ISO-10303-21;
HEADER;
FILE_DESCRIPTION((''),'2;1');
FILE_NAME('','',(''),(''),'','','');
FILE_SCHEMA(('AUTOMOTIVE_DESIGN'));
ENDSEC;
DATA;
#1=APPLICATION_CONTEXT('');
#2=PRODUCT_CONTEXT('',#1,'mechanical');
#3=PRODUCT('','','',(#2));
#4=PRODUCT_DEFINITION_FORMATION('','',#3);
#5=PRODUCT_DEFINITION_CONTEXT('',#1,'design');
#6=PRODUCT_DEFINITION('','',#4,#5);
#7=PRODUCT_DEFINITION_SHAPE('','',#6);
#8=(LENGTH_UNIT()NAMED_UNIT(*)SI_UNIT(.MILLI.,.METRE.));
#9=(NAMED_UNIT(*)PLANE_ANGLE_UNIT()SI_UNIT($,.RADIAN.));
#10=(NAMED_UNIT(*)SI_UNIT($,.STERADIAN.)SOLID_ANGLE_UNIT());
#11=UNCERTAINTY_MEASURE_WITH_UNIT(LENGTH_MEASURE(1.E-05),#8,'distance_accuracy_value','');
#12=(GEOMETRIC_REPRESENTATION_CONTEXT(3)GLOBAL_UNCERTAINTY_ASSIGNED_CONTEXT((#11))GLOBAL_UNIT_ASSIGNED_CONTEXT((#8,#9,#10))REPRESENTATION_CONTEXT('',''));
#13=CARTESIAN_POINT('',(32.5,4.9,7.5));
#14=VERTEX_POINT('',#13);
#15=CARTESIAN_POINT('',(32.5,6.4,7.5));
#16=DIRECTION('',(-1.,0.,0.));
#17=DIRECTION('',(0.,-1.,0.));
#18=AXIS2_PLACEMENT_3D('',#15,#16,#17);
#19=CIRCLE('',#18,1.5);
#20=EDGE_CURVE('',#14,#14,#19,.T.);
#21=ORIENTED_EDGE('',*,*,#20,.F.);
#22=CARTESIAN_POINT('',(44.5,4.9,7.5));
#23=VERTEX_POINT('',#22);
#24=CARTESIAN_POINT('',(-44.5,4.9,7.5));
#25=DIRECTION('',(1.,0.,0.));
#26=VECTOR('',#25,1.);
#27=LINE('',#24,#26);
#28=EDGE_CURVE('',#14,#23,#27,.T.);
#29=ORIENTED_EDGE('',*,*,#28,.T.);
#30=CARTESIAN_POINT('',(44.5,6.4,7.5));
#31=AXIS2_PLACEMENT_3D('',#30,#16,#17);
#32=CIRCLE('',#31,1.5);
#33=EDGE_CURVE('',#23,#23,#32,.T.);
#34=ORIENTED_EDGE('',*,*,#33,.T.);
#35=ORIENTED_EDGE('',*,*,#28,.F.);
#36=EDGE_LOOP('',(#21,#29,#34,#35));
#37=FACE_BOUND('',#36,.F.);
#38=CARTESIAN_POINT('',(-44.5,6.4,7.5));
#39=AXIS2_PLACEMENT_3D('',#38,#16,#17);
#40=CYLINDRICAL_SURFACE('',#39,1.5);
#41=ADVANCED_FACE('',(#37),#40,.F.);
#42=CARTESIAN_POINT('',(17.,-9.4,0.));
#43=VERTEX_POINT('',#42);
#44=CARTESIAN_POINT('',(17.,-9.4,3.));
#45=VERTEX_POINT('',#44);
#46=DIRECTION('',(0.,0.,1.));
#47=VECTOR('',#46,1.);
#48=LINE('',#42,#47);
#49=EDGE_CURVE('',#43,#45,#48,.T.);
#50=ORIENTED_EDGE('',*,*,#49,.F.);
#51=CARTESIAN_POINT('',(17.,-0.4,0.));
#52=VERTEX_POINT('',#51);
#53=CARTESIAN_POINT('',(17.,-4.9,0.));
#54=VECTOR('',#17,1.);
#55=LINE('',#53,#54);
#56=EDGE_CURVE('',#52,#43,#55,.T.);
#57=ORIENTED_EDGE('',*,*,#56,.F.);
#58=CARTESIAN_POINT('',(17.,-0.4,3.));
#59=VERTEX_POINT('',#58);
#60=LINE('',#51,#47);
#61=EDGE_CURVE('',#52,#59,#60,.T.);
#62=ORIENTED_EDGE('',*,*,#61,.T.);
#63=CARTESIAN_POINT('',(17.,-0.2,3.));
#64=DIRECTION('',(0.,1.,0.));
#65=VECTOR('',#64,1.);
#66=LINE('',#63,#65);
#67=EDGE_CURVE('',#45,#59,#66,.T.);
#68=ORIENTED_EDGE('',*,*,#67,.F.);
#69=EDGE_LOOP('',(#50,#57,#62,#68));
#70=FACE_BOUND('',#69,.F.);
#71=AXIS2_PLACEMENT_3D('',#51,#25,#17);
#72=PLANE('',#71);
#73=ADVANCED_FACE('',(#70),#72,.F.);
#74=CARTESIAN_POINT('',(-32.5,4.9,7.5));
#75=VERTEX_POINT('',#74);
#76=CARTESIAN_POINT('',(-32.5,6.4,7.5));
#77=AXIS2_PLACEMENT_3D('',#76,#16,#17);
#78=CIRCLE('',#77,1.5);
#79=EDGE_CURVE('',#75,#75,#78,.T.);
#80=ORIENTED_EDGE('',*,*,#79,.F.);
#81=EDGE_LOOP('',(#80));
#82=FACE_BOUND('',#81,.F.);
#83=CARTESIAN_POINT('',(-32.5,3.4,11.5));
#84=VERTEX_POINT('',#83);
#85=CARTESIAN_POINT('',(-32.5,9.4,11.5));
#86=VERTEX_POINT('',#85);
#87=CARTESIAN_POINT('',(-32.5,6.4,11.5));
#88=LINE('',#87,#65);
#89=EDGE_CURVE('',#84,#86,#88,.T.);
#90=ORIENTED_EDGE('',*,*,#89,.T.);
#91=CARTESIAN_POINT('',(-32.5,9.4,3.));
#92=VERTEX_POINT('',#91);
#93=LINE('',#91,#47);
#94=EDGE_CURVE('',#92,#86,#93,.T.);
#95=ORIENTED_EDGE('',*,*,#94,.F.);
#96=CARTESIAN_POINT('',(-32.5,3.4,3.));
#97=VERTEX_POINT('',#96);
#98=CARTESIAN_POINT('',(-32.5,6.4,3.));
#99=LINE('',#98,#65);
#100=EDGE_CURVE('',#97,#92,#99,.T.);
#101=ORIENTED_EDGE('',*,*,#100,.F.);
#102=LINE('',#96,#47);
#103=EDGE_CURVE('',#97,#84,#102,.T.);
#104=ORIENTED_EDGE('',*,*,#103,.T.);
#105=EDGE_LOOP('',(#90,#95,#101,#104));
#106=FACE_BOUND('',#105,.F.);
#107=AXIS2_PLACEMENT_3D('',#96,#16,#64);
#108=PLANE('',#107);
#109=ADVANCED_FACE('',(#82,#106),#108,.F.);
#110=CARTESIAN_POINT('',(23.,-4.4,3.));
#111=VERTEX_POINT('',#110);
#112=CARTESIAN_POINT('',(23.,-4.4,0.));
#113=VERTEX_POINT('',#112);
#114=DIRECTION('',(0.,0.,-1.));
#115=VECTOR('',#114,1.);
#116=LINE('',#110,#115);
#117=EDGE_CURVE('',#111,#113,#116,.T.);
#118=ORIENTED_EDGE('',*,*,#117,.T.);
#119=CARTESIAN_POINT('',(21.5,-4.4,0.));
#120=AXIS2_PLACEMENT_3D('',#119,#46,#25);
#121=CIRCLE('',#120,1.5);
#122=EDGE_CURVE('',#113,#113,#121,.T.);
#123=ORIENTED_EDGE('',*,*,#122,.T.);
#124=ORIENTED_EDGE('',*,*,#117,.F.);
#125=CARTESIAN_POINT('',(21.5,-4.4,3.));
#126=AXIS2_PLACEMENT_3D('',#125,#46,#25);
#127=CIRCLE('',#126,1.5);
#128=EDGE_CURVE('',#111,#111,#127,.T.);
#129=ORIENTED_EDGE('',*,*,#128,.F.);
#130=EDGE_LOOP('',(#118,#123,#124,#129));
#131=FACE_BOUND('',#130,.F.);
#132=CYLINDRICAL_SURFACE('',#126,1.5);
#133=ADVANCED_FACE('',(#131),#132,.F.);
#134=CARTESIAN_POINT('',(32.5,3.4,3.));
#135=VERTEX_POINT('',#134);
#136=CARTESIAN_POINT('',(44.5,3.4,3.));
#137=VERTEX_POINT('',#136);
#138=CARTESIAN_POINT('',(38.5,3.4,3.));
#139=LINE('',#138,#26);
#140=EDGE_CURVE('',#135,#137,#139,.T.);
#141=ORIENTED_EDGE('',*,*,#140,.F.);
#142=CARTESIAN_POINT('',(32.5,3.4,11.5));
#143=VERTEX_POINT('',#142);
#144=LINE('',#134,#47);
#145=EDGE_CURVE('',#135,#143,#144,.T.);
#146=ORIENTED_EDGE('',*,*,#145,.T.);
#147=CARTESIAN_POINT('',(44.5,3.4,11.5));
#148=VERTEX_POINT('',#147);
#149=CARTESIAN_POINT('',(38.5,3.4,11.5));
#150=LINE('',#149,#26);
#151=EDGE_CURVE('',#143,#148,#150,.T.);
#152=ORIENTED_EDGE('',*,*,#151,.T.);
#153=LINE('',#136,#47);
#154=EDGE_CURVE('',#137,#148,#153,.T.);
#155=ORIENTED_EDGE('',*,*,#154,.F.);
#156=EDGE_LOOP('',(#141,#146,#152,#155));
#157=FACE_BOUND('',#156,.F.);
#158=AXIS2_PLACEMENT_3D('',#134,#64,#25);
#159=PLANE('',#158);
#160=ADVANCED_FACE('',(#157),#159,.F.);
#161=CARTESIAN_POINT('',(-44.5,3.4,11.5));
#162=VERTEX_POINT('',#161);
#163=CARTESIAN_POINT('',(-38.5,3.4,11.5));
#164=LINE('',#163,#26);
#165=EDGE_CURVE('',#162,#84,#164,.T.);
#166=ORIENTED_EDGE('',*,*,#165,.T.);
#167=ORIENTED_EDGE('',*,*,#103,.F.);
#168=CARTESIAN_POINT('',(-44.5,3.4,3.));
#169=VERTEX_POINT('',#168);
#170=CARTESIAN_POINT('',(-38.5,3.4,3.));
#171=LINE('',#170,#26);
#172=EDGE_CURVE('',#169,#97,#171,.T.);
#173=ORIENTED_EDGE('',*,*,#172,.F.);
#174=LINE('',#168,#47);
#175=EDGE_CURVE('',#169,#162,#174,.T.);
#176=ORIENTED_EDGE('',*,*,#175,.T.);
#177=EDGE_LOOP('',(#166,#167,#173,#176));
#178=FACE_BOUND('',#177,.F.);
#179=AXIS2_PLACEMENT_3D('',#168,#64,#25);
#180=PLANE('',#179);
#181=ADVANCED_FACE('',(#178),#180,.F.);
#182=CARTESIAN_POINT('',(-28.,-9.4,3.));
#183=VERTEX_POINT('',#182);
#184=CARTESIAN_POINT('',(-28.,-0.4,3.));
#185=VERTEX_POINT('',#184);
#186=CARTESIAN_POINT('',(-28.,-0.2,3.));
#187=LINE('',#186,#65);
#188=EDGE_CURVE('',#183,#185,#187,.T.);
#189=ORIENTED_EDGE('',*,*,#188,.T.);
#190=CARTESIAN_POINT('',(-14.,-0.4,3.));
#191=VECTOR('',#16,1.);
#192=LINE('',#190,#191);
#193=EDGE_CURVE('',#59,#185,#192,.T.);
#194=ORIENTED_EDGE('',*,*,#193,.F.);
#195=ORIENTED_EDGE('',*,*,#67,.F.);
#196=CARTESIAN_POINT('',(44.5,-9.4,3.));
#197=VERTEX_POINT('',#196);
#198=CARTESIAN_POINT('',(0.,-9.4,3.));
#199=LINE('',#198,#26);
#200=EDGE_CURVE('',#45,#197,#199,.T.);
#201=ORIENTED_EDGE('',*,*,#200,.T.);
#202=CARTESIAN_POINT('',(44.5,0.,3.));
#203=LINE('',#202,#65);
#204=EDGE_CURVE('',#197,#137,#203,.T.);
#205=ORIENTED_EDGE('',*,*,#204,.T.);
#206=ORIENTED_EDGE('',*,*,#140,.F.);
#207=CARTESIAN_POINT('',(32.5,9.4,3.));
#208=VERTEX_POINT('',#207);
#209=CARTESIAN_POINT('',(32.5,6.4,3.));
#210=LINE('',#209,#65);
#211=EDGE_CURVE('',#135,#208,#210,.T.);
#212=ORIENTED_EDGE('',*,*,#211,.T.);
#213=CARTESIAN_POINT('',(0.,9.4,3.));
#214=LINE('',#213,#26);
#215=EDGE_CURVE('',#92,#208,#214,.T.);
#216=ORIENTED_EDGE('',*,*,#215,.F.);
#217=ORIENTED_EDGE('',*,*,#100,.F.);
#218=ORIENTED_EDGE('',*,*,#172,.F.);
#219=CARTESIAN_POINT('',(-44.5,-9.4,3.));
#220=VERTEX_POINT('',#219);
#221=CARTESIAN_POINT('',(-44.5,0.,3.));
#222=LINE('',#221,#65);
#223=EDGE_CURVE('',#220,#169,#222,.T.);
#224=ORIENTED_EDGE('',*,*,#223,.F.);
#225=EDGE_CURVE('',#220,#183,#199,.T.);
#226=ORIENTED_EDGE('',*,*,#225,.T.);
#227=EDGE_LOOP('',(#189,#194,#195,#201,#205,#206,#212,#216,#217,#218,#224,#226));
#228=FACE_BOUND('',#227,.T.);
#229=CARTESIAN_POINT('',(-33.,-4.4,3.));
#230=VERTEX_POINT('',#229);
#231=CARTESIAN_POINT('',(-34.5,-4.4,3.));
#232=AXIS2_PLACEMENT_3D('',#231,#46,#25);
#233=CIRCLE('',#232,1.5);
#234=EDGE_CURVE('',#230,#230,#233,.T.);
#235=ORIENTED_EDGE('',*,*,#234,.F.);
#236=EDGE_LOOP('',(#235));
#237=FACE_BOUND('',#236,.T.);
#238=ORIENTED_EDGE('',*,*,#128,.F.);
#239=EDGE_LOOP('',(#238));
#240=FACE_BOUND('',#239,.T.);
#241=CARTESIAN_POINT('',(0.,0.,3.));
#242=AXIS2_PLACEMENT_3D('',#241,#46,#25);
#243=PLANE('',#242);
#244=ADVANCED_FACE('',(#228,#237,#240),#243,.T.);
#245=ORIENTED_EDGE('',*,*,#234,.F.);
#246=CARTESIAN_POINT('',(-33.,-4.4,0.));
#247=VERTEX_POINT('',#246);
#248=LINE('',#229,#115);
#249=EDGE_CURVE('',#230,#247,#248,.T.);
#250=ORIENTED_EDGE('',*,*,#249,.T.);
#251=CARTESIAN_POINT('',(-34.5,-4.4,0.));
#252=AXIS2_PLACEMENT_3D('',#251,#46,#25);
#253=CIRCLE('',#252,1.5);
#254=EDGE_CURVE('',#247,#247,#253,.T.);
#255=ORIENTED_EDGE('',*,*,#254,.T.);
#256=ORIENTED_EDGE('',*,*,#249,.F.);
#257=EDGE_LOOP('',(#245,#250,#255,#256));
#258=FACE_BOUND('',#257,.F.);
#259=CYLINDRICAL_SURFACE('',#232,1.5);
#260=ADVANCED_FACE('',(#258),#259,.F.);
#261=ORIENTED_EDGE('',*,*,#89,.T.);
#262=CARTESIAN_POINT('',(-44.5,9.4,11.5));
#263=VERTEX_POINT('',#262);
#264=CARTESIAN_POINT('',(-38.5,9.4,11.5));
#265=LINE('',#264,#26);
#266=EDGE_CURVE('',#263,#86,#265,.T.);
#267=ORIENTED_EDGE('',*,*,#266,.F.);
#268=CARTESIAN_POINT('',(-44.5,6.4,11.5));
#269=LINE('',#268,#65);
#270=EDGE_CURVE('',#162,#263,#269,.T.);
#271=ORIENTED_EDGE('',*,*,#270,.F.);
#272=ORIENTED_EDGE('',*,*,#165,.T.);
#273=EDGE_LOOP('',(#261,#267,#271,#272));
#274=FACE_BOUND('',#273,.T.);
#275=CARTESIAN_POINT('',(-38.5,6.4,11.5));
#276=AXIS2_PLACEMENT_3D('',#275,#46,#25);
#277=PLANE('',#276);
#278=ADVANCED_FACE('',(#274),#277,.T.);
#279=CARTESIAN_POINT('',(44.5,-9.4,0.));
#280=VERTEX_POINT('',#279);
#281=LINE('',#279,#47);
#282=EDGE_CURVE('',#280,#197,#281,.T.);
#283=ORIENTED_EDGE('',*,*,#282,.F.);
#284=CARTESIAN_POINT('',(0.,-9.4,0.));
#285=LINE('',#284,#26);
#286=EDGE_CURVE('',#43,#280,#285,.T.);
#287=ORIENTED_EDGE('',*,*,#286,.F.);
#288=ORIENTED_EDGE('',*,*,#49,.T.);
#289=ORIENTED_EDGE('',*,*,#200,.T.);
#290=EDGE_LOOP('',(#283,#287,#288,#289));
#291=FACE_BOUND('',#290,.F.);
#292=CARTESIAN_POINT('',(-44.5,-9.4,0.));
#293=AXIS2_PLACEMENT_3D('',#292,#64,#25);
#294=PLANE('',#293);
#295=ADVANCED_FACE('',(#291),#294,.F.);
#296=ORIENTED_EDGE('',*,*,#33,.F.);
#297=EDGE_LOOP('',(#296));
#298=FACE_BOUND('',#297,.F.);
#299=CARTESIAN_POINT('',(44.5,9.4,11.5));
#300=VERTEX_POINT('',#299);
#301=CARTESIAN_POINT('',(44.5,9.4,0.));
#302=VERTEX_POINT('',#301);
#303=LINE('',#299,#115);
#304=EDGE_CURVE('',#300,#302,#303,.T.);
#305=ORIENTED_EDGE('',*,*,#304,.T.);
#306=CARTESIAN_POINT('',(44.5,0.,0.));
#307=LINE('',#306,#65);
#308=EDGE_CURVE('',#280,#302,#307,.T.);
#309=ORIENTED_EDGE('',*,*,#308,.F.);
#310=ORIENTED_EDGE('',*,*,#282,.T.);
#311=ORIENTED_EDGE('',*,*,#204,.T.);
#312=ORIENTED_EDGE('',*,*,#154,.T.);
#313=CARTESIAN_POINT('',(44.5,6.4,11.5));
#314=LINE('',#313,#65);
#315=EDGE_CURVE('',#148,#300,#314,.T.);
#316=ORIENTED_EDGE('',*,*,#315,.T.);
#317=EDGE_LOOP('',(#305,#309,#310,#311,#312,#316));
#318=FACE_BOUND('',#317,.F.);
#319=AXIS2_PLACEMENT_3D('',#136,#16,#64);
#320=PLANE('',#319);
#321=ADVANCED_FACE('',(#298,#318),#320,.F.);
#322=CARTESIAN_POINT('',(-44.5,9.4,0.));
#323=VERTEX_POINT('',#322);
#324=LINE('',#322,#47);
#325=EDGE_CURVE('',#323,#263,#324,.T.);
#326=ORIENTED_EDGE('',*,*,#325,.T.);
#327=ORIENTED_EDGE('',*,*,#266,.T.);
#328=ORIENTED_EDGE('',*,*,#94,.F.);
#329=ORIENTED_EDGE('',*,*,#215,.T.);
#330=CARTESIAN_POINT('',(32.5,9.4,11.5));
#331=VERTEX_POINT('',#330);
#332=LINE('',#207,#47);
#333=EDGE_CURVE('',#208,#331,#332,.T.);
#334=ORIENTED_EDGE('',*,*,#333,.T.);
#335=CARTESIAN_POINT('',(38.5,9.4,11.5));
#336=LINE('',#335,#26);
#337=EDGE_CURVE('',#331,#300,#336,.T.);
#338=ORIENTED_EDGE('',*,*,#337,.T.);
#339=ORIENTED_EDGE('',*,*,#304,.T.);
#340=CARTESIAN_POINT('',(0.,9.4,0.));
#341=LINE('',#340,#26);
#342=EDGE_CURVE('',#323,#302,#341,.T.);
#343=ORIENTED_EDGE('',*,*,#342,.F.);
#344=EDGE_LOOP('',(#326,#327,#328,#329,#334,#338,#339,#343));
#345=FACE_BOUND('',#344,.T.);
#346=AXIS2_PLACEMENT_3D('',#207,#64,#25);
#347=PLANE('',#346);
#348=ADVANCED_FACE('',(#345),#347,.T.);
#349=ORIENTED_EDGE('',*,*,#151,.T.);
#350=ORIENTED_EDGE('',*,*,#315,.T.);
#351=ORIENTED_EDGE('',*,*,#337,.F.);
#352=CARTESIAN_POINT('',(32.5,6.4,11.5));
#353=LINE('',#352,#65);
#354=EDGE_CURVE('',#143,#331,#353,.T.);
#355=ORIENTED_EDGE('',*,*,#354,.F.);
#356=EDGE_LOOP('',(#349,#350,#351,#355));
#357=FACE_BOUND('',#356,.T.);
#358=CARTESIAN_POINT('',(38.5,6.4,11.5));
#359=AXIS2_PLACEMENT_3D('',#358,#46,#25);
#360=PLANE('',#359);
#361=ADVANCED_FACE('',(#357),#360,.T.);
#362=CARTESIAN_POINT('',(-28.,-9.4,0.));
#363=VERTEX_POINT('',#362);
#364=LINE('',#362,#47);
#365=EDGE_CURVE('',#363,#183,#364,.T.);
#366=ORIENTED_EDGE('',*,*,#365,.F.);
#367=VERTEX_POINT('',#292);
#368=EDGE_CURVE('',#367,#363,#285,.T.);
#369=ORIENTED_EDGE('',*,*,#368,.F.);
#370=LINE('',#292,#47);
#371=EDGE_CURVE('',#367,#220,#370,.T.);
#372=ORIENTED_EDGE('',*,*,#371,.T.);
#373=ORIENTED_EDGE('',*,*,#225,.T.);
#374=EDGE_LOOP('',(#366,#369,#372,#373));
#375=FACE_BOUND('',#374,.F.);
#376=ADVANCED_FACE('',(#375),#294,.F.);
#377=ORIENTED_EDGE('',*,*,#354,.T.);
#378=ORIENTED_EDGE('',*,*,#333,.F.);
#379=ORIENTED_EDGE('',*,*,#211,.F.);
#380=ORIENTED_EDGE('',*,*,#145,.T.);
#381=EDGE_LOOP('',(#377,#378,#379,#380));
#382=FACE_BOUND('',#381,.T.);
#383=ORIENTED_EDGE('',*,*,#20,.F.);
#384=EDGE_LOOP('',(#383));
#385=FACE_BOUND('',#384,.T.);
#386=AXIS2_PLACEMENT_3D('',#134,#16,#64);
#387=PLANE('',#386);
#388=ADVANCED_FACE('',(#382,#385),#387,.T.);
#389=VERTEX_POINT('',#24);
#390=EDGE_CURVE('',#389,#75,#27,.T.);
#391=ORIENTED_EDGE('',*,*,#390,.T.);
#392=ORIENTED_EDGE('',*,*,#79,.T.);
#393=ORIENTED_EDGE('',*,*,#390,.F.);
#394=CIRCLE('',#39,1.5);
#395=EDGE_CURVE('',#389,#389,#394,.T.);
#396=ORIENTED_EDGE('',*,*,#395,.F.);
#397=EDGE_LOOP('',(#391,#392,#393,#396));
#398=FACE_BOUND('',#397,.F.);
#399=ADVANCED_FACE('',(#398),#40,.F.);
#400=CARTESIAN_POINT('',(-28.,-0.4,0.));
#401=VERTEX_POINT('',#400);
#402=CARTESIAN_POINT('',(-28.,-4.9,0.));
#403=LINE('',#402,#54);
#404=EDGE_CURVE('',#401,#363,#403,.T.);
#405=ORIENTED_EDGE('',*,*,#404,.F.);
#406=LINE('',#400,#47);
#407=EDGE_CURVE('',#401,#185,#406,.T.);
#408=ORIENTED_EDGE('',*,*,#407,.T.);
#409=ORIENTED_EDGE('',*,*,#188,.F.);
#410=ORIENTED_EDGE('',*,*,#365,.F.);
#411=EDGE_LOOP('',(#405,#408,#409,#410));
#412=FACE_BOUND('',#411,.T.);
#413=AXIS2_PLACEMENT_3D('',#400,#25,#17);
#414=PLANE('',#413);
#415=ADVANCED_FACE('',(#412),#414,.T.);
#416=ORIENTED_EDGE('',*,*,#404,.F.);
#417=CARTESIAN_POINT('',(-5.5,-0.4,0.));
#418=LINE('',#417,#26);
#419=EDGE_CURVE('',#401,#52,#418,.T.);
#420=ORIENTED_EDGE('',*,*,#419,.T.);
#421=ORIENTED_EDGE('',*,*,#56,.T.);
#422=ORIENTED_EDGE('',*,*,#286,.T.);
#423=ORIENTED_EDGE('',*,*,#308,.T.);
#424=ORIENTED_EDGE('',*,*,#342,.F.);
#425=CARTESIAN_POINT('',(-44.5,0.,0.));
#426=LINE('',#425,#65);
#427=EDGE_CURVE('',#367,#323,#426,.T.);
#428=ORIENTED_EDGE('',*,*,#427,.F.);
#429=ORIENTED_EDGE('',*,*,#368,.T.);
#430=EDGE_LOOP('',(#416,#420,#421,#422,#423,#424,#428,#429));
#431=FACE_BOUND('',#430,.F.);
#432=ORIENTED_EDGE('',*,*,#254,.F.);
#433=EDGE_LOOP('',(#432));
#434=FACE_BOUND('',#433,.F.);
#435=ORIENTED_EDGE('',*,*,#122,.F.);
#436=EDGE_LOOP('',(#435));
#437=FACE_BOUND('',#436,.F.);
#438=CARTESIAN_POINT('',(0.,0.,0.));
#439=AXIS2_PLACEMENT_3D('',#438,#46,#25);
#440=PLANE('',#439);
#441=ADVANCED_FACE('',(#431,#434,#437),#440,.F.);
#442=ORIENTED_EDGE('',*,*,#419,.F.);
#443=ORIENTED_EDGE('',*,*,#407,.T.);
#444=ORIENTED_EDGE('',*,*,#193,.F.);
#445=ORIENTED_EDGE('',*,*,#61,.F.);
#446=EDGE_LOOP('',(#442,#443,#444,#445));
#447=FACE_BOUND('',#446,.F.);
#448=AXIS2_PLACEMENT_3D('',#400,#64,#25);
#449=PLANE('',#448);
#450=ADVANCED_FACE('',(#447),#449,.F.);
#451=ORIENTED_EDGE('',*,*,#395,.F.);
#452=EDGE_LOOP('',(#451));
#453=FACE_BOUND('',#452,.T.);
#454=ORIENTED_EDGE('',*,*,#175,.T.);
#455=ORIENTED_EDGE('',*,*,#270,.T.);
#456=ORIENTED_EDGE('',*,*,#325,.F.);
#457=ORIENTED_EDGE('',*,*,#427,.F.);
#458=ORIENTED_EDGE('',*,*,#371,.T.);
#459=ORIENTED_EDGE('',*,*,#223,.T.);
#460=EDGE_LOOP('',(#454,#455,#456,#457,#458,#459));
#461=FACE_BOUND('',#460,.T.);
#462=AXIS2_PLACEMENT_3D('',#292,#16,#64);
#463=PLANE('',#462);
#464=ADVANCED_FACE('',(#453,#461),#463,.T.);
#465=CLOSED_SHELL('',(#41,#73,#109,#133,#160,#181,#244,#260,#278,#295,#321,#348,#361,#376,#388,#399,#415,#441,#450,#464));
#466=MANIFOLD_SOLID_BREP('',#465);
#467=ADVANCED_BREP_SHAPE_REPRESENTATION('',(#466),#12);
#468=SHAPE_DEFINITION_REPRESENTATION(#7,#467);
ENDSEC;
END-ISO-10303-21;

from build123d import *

# Parameters (mm, degrees)
F0_W      = 89
F0_H      = 18.8
F1_DEPTH  = 3
F2_W      = 12
F2_H      = 6
F3_W      = 12
F3_H      = 6
F4_DEPTH  = 8.5
F5_R      = 1.5
F6_DEPTH  = 89.001
F7_R      = 1.5
F8_R      = 1.5
F9_DEPTH  = 15
F10_W     = 45
F10_H     = 9
F11_DEPTH = 25


with BuildPart() as f1:
    # F0 (on Top) → F1 (new body)
    with BuildSketch(Plane.XY):
        Rectangle(F0_W, F0_H)
    extrude(amount=F1_DEPTH)

    # F2 (on face) + F3 (on face) → F4 (join)
    with BuildSketch(Plane.XY.offset(3)):
        with Locations((38.5, 6.4)):
            Rectangle(F2_W, F2_H)
    with BuildSketch(Plane.XY.offset(3)):
        with Locations((-38.5, 6.4)):
            Rectangle(F3_W, F3_H)
    extrude(amount=F4_DEPTH)

    # F5 (on face) → F6 (cut, through all)
    with BuildSketch(Plane(origin=(-44.5, 0, 0), x_dir=(0, -1, 0), z_dir=(-1, 0, 0))):
        with Locations((-6.4, 7.5)):
            Circle(F5_R)
    extrude(amount=-F6_DEPTH, mode=Mode.SUBTRACT)

    # F7 (on face) + F8 (on face) → F9 (cut)
    with BuildSketch(Plane.XY.offset(3)):
        with Locations((21.5, -4.4)):
            Circle(F7_R)
    with BuildSketch(Plane.XY.offset(3)):
        with Locations((-34.5, -4.4)):
            Circle(F8_R)
    extrude(amount=-F9_DEPTH, mode=Mode.SUBTRACT)

    # F10 (on face) → F11 (cut)
    with BuildSketch(Plane(origin=(0, 0, 0), x_dir=(1, 0, 0), z_dir=(0, 0, -1))):
        with Locations((-5.5, 4.9)):
            Rectangle(F10_W, F10_H)
    extrude(amount=-F11_DEPTH, mode=Mode.SUBTRACT)


solid = f1.part
